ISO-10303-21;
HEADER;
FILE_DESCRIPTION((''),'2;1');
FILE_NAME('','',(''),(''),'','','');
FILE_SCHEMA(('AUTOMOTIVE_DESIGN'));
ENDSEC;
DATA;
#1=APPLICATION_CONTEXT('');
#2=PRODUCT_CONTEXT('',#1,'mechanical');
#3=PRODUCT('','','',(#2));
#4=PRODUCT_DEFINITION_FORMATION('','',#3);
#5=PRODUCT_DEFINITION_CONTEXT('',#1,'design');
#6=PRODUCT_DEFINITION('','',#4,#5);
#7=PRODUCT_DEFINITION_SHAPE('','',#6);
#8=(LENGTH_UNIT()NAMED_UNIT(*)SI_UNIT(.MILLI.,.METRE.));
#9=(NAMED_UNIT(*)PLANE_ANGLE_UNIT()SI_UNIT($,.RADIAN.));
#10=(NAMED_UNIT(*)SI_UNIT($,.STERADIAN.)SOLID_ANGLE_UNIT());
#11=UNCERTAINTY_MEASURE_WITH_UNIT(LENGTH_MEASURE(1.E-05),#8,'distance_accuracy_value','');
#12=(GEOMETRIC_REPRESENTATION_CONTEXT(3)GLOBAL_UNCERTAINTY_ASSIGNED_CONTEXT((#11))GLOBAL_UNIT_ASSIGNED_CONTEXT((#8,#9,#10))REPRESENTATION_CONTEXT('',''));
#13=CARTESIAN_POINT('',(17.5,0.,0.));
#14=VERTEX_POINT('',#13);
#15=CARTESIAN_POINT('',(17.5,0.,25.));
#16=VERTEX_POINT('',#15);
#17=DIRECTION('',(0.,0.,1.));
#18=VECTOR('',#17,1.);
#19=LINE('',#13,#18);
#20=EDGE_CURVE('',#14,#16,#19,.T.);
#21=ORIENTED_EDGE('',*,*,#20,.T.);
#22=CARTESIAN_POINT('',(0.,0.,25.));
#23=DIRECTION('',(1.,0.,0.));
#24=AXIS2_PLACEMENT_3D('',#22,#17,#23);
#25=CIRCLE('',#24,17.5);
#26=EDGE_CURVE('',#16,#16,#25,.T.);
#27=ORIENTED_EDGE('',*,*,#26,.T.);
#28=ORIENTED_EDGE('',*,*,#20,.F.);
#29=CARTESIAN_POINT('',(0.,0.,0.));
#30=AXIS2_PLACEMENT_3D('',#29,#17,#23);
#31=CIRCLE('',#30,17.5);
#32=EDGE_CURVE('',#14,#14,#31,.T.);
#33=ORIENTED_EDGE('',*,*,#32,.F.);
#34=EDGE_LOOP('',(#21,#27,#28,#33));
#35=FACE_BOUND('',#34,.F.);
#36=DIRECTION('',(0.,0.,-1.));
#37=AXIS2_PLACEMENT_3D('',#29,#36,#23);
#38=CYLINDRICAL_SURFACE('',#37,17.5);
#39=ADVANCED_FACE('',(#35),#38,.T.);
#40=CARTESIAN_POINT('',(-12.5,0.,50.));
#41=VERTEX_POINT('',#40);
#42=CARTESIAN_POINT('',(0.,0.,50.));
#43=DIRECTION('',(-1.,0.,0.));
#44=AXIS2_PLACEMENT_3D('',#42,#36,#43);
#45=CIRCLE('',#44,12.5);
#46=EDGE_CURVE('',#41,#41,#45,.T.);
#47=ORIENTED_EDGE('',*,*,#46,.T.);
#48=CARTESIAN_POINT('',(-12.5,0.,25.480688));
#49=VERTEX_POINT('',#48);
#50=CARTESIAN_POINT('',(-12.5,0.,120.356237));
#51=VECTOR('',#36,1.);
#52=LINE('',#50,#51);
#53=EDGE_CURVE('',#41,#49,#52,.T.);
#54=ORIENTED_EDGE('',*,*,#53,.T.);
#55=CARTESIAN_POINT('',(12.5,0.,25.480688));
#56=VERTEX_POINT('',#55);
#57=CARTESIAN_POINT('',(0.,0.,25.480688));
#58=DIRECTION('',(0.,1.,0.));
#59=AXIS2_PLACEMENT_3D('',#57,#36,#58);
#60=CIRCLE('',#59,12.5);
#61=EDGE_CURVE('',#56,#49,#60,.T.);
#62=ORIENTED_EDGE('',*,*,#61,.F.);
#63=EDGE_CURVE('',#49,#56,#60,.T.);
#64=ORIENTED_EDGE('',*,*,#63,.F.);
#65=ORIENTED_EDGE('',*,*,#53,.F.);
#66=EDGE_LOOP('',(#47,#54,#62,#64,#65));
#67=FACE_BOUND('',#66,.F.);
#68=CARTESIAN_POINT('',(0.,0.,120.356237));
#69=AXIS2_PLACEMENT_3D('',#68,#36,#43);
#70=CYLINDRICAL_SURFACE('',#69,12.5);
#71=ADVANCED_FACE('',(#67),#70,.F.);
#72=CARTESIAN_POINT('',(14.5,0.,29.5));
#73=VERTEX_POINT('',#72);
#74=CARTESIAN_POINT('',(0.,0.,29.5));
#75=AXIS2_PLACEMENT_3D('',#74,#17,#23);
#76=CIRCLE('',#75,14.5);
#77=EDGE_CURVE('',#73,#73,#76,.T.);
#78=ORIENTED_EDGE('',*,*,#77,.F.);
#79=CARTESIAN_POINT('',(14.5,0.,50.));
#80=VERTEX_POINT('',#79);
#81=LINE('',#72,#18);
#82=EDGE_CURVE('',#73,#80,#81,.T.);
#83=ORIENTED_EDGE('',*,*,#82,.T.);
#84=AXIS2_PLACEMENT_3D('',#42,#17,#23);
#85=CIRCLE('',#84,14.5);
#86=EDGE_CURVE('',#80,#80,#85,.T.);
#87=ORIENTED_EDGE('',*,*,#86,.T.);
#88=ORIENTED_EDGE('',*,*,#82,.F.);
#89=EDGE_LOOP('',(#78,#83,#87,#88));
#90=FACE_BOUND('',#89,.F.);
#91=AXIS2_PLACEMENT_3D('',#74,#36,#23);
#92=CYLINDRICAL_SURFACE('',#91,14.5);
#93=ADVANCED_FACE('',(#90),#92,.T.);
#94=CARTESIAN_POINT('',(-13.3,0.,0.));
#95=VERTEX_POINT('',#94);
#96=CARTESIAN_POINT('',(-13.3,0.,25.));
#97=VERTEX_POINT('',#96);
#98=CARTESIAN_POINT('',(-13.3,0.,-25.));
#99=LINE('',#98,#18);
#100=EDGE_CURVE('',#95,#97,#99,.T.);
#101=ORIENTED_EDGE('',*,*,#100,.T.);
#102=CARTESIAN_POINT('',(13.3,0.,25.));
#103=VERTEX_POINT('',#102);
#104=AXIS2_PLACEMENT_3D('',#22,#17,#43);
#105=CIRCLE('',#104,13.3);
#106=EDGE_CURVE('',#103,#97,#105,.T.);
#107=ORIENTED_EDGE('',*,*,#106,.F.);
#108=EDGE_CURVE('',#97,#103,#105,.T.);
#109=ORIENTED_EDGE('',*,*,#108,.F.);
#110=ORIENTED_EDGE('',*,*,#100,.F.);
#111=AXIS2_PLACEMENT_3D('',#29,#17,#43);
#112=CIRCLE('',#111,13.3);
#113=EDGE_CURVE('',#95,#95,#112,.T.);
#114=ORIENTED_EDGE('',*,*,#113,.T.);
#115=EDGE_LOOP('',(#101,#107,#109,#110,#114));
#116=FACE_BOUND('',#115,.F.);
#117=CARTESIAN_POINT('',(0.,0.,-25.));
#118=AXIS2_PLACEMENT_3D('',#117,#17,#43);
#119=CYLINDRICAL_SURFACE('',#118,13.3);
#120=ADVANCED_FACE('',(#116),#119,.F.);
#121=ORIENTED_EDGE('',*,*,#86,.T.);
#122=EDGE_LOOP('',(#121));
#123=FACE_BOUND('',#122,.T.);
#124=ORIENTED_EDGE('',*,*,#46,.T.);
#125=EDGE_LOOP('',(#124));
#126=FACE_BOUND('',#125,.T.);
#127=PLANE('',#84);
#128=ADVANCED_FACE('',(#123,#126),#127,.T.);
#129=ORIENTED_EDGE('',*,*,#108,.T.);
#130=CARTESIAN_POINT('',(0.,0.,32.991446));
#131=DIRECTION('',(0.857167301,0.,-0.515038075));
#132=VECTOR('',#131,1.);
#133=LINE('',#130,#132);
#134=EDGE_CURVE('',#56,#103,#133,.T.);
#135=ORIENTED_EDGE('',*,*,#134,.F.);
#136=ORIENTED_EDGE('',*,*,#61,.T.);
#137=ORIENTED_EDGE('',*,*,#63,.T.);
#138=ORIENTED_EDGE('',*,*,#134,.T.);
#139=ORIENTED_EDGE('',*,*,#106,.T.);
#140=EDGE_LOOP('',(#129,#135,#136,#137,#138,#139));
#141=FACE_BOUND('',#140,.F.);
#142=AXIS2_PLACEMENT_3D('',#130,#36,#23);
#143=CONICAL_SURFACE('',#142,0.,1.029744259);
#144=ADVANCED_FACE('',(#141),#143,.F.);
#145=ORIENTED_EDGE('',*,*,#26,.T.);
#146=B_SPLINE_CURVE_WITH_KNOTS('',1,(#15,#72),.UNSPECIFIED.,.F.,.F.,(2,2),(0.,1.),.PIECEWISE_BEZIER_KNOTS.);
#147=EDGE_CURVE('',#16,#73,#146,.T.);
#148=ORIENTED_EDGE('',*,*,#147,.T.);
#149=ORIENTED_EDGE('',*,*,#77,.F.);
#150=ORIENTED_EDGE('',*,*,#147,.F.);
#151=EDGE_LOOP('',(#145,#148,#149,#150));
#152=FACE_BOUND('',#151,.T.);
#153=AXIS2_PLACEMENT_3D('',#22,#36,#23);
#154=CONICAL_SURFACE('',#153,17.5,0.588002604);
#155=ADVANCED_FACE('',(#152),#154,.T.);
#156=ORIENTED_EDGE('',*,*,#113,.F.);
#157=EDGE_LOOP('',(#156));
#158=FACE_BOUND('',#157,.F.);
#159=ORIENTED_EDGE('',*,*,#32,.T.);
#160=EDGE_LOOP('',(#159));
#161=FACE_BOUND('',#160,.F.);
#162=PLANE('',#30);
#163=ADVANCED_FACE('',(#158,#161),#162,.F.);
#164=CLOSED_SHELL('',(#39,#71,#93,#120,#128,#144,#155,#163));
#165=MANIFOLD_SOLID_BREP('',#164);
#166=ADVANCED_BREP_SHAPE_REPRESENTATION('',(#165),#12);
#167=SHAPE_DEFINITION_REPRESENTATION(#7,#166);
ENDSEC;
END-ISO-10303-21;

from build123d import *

# Parameters (mm, degrees)
F0_R      = 17.5
F1_DEPTH  = 25
F3_R      = 14.5
F4_DEPTH  = 20.5
F1_FACE_R = 17.5
F4_FACE_R = 14.5
F7_D      = 25
F9_D      = 26.6
F9_DEPTH  = 25
F9_TIP    = 7.9914462331


with BuildPart() as f1:
    # F0 (on Top) → F1 (new body)
    with BuildSketch(Plane.XY):
        Circle(F0_R)
    extrude(amount=F1_DEPTH)



with BuildPart() as f4:
    # F3 (on offset) → F4 (new body)
    with BuildSketch(Plane.XY.offset(29.5)):
        Circle(F3_R)
    extrude(amount=F4_DEPTH)


with BuildPart() as f1_1:
    add(f1.part)

    add(f4.part)  # F5 merges F4
    # F1_face (on face) → F5 section 0
    with BuildSketch(Plane.XY.offset(25)):
        Circle(F1_FACE_R)
    # F4_face (on face) → F5 section 1
    with BuildSketch(Plane(origin=(0, 0, 29.5), x_dir=(1, 0, 0), z_dir=(0, 0, -1))):
        Circle(F4_FACE_R)
    loft()

    # F7 (through all)
    with Locations(Plane.XY.offset(50)):
        with Locations((0, 0)):
            Hole(F7_D / 2)

    # F9
    with Locations(Plane(origin=(0, 0, 0), x_dir=(1, 0, 0), z_dir=(0, 0, -1))):
        with Locations((0, 0)):
            Hole(F9_D / 2, depth=F9_DEPTH)
            with Locations((0, 0, -(F9_DEPTH + F9_TIP / 2))):  # 118° drill point
                Cone(0, F9_D / 2, F9_TIP, mode=Mode.SUBTRACT)


solid = f1_1.part
